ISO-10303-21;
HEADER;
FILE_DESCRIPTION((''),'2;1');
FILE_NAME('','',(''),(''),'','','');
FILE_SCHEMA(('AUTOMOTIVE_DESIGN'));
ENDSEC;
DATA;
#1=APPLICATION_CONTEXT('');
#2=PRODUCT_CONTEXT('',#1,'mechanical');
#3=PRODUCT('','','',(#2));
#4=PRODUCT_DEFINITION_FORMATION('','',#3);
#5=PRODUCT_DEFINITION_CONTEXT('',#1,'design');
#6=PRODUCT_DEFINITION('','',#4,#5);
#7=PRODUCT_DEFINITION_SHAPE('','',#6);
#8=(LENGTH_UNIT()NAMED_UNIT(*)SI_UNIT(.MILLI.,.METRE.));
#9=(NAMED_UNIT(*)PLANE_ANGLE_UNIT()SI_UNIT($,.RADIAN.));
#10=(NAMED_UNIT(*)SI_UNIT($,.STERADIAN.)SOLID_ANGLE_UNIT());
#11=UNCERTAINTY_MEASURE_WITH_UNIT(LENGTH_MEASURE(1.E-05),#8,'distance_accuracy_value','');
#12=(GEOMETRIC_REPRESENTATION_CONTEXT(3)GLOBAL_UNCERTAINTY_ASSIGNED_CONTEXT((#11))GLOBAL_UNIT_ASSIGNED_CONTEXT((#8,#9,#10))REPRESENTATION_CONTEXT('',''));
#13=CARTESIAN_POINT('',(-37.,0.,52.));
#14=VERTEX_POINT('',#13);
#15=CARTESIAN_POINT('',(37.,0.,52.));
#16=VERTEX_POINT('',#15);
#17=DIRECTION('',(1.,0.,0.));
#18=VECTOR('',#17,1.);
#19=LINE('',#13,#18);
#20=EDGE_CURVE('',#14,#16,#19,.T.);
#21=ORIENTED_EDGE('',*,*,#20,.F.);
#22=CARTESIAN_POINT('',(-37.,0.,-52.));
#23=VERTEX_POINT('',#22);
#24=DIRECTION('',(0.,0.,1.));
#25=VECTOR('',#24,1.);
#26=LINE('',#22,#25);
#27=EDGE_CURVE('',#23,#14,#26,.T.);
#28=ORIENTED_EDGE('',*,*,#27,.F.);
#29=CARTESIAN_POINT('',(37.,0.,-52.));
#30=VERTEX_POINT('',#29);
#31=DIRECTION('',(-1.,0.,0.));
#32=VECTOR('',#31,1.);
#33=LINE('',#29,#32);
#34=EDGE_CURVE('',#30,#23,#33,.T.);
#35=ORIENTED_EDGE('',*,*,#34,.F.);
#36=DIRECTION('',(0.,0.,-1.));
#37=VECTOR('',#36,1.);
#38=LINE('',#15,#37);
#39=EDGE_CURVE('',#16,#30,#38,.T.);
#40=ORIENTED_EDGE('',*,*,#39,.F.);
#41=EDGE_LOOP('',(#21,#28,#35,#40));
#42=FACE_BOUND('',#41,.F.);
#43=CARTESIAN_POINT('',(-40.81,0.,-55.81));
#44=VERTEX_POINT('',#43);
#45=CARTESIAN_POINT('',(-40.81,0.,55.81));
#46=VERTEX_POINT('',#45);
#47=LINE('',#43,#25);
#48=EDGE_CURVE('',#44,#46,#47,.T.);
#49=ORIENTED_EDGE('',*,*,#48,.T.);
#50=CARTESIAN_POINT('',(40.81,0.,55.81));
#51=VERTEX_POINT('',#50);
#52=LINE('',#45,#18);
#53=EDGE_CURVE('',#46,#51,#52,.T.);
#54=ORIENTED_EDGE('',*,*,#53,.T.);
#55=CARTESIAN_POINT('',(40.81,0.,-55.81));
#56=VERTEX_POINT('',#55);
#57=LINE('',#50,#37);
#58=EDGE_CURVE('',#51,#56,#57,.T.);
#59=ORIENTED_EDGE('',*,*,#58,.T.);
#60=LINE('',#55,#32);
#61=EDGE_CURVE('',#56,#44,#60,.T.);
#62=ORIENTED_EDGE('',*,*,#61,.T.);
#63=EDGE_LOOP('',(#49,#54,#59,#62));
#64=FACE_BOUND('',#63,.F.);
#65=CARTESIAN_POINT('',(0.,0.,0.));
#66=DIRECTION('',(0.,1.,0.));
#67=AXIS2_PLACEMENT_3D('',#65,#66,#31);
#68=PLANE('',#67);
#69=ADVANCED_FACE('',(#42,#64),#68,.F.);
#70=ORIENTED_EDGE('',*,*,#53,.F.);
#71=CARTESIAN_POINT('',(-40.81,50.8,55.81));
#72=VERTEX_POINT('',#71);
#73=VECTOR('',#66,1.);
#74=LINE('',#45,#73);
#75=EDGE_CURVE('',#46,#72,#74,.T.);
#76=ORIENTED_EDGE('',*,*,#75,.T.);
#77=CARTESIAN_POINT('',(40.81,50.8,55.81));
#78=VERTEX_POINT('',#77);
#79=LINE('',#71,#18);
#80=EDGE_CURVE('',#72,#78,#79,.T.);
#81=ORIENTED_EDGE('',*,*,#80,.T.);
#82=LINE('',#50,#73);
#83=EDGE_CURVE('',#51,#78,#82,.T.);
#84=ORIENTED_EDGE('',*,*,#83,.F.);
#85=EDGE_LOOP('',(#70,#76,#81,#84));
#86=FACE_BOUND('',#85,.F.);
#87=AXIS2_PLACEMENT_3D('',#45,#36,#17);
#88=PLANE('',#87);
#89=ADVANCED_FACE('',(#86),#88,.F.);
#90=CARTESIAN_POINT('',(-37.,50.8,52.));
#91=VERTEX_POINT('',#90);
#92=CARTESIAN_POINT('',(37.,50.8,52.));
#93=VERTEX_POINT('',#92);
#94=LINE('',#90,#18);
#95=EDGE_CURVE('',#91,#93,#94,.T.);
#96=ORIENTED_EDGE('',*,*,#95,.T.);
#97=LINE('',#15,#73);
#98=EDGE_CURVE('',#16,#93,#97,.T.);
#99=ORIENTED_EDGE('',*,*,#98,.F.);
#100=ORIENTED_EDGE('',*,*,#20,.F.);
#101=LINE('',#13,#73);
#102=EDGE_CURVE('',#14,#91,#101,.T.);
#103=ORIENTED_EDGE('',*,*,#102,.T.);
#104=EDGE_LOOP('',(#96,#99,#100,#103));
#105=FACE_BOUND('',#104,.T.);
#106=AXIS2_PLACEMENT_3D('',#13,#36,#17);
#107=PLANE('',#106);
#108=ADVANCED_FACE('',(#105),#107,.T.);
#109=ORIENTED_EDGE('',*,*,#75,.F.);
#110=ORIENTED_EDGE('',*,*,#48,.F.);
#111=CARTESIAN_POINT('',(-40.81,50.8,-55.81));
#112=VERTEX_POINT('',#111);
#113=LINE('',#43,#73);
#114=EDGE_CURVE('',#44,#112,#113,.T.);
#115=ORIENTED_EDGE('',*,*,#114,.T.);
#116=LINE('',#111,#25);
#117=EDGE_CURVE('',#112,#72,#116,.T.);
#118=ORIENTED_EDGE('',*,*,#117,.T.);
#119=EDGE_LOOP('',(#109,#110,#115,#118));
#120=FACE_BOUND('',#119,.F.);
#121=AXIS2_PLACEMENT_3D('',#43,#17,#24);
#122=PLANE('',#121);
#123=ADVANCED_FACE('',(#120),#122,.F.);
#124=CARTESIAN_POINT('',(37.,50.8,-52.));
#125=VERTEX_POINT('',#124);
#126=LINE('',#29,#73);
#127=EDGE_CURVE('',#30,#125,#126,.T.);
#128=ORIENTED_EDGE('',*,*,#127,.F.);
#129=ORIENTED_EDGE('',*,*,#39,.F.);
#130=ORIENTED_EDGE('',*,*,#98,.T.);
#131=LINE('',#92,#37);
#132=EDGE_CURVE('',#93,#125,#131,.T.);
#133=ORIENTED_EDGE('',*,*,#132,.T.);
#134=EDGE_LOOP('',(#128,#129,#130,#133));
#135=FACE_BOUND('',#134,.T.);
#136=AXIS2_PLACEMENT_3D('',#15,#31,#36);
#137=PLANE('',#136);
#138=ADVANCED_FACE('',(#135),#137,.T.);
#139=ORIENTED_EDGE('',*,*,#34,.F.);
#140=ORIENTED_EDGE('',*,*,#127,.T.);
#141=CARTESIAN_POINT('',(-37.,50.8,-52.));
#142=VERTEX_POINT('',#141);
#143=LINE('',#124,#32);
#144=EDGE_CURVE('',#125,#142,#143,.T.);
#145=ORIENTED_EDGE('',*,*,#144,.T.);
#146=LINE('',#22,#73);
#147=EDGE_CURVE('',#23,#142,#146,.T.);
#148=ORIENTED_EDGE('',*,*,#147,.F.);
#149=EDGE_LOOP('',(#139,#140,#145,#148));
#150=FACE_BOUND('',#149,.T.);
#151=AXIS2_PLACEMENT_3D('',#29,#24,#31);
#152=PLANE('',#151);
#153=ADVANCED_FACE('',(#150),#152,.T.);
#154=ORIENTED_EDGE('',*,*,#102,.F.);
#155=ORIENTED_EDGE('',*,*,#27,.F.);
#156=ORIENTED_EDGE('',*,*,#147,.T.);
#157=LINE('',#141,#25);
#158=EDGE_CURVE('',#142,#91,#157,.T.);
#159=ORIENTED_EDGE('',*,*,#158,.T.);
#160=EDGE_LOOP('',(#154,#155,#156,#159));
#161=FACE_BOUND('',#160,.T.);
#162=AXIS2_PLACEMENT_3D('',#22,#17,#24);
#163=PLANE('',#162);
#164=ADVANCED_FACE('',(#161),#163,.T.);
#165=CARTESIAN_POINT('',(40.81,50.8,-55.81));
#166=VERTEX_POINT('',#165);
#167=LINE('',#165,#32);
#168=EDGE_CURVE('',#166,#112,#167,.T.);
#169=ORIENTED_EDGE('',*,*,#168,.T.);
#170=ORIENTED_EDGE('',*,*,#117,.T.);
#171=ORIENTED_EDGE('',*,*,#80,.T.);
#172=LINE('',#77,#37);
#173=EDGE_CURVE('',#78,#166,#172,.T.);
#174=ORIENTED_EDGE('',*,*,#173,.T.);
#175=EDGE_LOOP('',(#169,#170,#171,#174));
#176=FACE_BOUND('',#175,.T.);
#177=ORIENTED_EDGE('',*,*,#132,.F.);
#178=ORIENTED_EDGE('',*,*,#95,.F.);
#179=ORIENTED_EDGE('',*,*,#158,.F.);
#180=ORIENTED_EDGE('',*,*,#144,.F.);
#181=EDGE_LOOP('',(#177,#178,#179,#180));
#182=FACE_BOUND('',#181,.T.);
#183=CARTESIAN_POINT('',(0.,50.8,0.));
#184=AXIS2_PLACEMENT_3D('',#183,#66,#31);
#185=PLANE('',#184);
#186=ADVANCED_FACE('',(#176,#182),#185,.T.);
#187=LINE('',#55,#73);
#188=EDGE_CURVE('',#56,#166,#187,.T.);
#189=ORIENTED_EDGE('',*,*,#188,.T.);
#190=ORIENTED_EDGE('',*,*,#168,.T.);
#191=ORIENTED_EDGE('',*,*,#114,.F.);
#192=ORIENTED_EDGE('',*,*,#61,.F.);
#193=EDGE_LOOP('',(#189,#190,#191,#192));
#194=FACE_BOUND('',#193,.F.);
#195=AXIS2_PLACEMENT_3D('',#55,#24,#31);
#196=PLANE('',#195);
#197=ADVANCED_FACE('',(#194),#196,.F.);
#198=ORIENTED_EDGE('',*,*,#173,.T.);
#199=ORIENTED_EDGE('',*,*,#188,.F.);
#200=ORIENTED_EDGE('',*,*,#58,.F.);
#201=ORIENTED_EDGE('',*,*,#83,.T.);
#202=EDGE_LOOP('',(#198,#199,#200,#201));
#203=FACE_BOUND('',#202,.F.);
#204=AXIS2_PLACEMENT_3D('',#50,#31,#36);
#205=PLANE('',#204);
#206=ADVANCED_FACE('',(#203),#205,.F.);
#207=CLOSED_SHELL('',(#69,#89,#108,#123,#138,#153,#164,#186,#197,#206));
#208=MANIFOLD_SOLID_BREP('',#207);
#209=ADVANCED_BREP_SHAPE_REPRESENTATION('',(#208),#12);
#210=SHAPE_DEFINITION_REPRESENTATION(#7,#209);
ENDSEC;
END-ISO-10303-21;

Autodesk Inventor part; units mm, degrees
ref_plane "YZ Plane" through (0, 0, 0) normal (1, 0, 0) x (0, 1, 0)
ref_plane "XZ Plane" through (0, 0, 0) normal (0, 1, 0) x (-1, 0, 0)
ref_plane "XY Plane" through (0, 0, 0) normal (0, 0, 1) x (1, 0, 0)
sketch "Sketch1" plane through (0, 0, 0) normal (0, 1, 0) x (-1, 0, 0)
  line L0 (37, 52) -> (-37, 52)
  line L1 (-37, 52) -> (-37, -52)
  line L2 (-37, -52) -> (37, -52)
  line L3 (37, -52) -> (37, 52)
  line L4 (40.81, 55.81) -> (-40.81, 55.81)
  line L5 (-40.81, 55.81) -> (-40.81, -55.81)
  line L6 (-40.81, -55.81) -> (40.81, -55.81)
  line L7 (40.81, -55.81) -> (40.81, 55.81)
  point P0 (0, 0)
  point P1 (0, -52)
  point P2 (37, 0)
  dimension "d0" = 74
  dimension "d1" = 104
  dimension "d2" = 3.81
extrude "Extrusion1" add sketch "Sketch1" along normal blind 50.8
sketch "Sketch2" plane through (-40.81, 0, 55.81) normal (0, 0, 1) x (1, 0, 0)
  line L0 (3.81, 50.8) -> (77.81, 50.8) projected
  line L1 (40.81, 41.275) -> (40.81, 22.275)
  point P0 (40.81, 0)
  dimension "d6" = 19
properties part number "Case"
